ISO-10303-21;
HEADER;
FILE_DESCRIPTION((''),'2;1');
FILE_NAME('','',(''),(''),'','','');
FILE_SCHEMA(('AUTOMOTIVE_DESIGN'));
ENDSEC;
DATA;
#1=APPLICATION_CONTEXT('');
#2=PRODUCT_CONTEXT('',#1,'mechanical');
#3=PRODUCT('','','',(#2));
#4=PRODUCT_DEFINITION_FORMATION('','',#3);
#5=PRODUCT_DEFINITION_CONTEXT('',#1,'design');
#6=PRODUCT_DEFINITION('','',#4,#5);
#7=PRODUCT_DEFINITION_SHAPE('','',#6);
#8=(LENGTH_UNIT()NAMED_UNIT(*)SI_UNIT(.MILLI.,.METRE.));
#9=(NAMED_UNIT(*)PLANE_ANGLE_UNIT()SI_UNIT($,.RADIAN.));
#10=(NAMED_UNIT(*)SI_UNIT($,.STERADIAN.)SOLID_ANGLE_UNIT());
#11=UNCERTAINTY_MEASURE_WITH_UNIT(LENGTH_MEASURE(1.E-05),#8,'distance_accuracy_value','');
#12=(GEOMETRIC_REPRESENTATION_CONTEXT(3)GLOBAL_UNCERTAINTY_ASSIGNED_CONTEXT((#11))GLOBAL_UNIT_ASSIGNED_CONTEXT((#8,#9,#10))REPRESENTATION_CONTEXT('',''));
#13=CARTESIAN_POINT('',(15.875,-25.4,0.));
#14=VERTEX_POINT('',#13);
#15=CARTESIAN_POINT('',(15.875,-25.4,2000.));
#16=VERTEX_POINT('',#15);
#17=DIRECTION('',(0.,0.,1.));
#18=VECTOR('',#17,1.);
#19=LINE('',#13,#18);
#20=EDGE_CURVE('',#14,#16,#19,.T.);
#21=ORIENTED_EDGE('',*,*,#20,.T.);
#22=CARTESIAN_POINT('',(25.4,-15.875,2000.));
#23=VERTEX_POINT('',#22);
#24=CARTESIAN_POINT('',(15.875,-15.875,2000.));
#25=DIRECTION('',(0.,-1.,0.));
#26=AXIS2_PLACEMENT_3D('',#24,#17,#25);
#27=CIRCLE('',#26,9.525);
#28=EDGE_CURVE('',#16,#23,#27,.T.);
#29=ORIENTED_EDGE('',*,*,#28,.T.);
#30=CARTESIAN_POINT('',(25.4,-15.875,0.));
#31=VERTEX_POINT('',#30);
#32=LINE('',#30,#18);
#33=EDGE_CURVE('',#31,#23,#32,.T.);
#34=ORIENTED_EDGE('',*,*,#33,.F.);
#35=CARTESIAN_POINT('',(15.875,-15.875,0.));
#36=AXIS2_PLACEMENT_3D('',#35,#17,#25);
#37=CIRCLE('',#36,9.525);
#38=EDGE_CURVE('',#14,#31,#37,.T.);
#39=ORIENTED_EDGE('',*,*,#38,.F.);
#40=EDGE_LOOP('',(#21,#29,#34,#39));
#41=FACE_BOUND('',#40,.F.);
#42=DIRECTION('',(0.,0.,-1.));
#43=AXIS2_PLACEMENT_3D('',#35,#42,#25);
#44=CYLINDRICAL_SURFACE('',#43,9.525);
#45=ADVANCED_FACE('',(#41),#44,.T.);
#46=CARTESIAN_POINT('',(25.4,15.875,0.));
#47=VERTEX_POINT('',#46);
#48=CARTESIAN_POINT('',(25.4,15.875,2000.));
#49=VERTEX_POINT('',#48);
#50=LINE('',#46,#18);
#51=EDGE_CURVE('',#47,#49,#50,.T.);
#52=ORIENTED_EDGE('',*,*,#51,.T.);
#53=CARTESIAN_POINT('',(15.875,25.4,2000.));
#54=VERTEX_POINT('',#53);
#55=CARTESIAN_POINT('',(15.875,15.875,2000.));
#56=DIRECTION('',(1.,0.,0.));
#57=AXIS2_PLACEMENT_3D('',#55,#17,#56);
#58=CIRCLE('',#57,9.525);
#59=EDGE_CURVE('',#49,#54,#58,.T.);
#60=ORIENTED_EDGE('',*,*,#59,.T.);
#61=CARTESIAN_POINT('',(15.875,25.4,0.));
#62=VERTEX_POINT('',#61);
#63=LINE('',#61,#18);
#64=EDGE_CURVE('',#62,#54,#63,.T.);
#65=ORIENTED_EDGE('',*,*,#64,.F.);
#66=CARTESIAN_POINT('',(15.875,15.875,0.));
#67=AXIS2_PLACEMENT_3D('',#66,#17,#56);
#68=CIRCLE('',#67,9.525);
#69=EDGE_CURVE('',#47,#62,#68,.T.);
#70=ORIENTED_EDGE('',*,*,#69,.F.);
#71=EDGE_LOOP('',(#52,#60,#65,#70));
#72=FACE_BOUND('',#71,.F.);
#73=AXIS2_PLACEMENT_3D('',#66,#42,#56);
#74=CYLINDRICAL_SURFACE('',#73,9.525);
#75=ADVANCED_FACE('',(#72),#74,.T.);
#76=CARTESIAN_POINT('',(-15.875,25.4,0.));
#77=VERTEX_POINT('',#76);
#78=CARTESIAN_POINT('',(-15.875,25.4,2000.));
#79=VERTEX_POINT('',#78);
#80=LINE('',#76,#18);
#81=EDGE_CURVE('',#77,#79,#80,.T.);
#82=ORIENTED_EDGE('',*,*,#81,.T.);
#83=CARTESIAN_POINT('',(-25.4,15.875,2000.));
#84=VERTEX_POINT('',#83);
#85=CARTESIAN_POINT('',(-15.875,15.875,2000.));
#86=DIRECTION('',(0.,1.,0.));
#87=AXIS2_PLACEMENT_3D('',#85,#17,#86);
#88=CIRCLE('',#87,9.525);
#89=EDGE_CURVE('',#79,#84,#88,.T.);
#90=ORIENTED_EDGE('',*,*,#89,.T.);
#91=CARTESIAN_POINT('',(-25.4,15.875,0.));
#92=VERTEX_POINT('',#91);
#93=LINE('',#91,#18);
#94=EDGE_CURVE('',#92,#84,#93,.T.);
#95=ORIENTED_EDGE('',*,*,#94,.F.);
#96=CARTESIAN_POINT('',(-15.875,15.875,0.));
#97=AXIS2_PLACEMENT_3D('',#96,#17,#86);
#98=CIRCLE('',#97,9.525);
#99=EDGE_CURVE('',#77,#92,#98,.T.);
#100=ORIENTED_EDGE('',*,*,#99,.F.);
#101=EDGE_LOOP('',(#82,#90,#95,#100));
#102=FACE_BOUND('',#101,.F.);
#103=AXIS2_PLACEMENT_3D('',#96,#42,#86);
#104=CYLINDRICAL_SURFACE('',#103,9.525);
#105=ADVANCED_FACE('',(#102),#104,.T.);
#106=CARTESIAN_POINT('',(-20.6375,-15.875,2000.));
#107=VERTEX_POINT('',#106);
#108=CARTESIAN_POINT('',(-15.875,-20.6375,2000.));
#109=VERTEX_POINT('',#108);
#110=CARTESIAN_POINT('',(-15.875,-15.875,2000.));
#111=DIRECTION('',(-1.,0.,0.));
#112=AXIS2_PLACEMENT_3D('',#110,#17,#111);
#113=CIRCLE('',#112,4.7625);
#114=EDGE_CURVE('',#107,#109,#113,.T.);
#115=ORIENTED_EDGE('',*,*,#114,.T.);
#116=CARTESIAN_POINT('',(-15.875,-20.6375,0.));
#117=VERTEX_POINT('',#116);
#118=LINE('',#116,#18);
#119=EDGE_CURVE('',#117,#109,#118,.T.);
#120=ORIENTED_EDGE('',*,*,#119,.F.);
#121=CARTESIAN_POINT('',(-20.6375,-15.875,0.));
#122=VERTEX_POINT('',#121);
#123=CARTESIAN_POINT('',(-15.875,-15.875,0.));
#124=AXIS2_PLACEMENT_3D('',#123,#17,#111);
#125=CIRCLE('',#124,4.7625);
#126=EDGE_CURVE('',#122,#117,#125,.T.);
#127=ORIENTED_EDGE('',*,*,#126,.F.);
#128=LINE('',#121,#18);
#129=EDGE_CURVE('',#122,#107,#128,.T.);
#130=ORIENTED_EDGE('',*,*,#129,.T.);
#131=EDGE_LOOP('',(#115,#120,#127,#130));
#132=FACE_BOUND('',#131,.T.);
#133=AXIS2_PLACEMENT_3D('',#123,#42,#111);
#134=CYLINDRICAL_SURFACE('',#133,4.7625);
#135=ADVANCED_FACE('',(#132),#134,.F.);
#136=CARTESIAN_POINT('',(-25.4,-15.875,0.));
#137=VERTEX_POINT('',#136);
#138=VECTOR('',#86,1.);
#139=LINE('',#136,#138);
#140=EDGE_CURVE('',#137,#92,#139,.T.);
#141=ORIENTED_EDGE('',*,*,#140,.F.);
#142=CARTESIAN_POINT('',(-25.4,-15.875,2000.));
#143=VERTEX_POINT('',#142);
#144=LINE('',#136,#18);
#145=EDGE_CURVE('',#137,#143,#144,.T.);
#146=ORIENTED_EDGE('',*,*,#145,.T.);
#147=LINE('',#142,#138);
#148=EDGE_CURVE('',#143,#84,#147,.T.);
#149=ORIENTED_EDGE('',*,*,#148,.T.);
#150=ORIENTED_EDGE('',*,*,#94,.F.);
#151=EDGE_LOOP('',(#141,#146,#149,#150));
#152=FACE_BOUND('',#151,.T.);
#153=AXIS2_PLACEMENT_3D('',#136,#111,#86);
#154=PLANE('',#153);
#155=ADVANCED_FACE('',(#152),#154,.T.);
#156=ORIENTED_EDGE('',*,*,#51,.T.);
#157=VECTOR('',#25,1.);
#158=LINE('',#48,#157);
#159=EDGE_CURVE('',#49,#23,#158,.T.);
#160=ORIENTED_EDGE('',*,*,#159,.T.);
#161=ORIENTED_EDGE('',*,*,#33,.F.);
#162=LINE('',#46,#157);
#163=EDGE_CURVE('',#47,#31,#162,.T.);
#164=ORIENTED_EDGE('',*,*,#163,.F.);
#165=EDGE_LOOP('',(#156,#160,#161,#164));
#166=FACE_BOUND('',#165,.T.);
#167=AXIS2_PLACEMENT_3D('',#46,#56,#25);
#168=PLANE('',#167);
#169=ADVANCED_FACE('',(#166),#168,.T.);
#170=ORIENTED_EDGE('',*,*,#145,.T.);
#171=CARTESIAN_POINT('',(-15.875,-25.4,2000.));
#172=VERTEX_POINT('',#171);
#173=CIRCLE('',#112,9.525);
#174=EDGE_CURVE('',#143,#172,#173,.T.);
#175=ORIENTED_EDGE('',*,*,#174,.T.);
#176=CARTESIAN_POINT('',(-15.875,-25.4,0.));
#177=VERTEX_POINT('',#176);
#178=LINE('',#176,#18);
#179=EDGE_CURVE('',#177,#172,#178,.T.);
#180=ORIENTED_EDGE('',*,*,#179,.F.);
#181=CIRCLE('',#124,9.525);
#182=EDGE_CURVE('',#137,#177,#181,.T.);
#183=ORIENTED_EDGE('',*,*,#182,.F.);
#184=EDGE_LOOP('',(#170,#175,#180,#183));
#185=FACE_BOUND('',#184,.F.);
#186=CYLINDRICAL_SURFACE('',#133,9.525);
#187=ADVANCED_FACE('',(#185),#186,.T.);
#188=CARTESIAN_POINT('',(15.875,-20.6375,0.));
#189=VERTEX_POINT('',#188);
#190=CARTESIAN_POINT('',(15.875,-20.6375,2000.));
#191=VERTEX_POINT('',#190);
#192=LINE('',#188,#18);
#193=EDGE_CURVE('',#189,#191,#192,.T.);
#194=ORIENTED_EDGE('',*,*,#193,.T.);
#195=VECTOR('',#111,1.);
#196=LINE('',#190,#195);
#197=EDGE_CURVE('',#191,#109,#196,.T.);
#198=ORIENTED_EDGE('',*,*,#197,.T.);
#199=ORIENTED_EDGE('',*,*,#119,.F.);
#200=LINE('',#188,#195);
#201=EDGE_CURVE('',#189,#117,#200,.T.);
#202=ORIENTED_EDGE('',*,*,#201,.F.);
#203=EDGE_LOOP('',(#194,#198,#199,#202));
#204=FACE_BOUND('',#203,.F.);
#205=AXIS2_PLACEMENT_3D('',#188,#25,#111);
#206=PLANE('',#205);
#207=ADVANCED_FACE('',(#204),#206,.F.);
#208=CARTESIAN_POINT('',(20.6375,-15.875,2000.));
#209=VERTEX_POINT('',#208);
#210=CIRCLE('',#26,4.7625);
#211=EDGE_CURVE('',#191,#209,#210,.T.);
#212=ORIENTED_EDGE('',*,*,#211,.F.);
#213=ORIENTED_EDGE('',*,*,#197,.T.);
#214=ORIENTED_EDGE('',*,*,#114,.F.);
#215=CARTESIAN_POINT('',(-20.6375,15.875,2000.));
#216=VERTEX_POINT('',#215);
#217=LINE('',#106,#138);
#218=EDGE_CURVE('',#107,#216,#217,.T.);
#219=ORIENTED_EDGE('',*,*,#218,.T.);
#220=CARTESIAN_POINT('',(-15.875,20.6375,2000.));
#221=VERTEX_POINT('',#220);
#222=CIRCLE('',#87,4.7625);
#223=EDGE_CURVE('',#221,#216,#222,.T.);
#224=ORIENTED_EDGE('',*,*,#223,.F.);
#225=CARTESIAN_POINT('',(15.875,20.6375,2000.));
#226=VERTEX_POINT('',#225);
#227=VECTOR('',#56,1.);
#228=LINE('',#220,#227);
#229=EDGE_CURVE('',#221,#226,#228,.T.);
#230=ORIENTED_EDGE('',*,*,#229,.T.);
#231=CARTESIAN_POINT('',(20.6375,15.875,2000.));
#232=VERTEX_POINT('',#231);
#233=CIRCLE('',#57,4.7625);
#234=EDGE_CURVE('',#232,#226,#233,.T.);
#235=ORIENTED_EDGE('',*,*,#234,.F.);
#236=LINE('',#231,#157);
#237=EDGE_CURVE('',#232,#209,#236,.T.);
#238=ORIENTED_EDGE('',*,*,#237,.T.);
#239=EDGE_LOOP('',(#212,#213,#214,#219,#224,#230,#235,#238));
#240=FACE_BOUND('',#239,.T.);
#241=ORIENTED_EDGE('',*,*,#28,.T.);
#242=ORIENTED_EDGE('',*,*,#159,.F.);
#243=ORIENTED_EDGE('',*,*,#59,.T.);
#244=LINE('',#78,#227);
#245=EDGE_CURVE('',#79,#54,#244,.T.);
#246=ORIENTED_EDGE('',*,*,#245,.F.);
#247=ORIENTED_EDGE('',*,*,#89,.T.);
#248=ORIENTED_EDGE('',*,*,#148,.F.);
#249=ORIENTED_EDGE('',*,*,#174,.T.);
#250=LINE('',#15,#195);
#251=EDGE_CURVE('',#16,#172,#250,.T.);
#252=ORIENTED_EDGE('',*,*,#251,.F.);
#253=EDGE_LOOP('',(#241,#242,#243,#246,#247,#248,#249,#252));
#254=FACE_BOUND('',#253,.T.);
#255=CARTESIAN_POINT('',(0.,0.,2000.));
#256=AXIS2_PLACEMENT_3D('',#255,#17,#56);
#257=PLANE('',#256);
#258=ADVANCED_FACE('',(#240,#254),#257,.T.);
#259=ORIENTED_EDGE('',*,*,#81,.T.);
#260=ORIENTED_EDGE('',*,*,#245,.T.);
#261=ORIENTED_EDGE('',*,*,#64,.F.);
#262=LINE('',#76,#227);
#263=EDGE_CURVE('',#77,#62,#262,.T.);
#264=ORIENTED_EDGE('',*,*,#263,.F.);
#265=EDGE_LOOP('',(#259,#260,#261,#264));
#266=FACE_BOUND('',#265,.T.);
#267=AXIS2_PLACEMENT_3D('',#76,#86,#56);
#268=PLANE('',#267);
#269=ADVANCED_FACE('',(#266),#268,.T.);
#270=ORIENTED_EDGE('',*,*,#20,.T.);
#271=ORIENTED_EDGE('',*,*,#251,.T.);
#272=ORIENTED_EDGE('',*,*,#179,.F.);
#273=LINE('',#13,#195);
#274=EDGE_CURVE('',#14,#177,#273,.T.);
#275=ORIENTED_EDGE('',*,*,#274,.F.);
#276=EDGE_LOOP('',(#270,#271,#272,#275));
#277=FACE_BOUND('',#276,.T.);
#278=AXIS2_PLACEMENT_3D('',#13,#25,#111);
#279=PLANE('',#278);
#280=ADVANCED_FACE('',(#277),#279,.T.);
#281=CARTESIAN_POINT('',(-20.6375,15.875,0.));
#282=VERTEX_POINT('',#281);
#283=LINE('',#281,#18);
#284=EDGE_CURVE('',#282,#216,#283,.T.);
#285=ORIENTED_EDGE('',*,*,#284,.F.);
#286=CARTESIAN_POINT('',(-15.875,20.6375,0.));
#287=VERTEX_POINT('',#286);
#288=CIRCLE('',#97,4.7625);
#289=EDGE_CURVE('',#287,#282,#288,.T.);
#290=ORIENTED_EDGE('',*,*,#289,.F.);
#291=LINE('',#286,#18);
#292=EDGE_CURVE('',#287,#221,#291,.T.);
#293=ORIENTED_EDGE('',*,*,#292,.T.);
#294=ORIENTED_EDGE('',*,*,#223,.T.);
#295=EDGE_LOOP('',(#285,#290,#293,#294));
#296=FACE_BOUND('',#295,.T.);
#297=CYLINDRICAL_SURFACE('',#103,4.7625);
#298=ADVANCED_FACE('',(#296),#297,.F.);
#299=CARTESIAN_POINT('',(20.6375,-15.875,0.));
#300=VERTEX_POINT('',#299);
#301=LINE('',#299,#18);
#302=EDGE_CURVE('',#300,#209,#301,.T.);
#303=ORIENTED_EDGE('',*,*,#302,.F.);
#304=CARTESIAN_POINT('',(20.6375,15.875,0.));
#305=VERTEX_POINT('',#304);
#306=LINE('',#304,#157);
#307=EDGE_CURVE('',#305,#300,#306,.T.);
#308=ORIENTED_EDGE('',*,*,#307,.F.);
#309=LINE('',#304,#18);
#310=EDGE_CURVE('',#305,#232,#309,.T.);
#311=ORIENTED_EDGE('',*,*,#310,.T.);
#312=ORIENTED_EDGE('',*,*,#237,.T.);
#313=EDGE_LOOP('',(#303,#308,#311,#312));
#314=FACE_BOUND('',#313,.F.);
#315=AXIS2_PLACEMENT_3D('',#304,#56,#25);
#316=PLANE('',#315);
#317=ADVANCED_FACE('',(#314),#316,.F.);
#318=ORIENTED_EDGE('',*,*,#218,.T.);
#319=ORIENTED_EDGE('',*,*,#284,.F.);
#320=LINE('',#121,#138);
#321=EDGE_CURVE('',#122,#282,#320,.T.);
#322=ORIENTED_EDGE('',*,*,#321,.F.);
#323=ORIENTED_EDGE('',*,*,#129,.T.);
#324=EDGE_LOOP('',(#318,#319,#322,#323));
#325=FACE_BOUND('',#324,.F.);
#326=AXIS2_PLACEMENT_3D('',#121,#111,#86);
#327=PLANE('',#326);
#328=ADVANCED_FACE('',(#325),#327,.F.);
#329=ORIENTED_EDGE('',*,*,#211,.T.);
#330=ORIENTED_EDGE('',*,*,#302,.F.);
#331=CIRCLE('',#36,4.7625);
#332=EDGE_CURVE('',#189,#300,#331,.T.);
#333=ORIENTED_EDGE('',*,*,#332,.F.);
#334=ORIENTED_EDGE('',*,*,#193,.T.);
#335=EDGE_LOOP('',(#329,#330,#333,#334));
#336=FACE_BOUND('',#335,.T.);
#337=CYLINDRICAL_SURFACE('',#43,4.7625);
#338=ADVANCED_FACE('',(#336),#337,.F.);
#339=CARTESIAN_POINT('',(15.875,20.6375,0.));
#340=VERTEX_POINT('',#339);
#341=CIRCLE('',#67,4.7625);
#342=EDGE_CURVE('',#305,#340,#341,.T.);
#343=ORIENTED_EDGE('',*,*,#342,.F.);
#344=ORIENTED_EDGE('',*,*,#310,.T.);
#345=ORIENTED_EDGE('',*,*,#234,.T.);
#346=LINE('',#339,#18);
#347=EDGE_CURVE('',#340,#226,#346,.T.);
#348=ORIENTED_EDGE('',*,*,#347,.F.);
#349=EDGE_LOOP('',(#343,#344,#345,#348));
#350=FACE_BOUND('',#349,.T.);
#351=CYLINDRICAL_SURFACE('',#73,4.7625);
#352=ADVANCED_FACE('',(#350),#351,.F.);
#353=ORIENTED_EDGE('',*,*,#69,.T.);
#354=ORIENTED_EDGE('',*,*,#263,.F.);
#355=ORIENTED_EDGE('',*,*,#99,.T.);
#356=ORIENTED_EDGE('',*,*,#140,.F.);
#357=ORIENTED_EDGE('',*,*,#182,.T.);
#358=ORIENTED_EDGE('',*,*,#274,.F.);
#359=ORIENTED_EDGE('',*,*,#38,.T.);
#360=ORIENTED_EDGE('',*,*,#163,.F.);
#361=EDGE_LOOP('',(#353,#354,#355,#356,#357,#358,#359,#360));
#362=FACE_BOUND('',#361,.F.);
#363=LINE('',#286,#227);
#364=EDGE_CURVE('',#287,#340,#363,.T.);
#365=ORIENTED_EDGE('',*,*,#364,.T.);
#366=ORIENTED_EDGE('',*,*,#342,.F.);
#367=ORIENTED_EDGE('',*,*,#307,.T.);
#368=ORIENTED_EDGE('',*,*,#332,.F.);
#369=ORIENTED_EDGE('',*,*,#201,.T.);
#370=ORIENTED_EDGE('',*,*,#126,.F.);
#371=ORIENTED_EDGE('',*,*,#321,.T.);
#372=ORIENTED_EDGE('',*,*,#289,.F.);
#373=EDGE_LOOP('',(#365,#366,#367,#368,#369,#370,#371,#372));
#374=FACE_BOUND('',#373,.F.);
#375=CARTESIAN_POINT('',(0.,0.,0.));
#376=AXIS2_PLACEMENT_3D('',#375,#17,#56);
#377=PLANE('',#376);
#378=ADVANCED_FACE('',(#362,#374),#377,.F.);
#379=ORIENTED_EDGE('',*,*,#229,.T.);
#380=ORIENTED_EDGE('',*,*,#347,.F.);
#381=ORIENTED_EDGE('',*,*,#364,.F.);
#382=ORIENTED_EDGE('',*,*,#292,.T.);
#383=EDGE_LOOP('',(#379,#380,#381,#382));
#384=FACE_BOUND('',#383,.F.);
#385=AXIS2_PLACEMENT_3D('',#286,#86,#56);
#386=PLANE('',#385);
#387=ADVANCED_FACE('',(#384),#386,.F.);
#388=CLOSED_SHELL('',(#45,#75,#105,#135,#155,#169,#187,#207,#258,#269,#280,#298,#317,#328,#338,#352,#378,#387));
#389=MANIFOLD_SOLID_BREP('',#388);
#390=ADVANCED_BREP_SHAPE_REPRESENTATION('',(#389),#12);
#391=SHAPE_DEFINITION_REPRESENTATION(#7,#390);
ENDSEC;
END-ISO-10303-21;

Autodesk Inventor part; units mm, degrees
ref_plane "YZ Plane" through (0, 0, 0) normal (1, 0, 0) x (0, 1, 0)
ref_plane "Plano inicial" through (0, 0, 0) normal (0, 0, 1) x (1, 0, 0)
ref_plane "Plano final" through (0, 0, 2000) normal (0, 0, 1) x (1, 0, 0)
sketch "Esboço" plane through (0, 0, 0) normal (0, 0, 1) x (1, 0, 0)
  line L0 (-25.4, -15.875) -> (-25.4, 15.875)
  line L1 (-15.875, 25.4) -> (15.875, 25.4)
  line L2 (25.4, 15.875) -> (25.4, -15.875)
  line L3 (15.875, -25.4) -> (-15.875, -25.4)
  arc A0 (-25.4, -15.875) -> (-15.875, -25.4) centre (-15.875, -15.875) ccw
  arc A1 (-15.875, 25.4) -> (-25.4, 15.875) centre (-15.875, 15.875) ccw
  arc A2 (25.4, 15.875) -> (15.875, 25.4) centre (15.875, 15.875) ccw
  arc A3 (15.875, -25.4) -> (25.4, -15.875) centre (15.875, -15.875) ccw
  arc A4 (-15.875, 20.6375) -> (-20.6375, 15.875) centre (-15.875, 15.875) ccw
  line L4 (-15.875, 20.6375) -> (15.875, 20.6375)
  arc A5 (20.6375, 15.875) -> (15.875, 20.6375) centre (15.875, 15.875) ccw
  line L5 (20.6375, 15.875) -> (20.6375, -15.875)
  arc A6 (15.875, -20.6375) -> (20.6375, -15.875) centre (15.875, -15.875) ccw
  line L6 (15.875, -20.6375) -> (-15.875, -20.6375)
  arc A7 (-20.6375, -15.875) -> (-15.875, -20.6375) centre (-15.875, -15.875) ccw
  line L7 (-20.6375, -15.875) -> (-20.6375, 15.875)
  line L8 (0, 38.3218) -> (0, -38.3218) construction
  line L9 (-38.3218, 0) -> (38.3218, 0) construction
  dimension "d10" = 50.8
  dimension "d11" = 50.8
  dimension "d12" = 4.7625
  dimension "d15" = 25.4
  dimension "d16" = 25.4
  dimension "d17" = 9.525
extrude "Corpo" add sketch "Esboço" along normal up to surface (2000 mm away) from surface at 0
sketch "Sketch3" plane through (0, 0, 0) normal (0, 0, 1) x (1, 0, 0)
  line L0 (0, 0) -> (10, 0)
ref_plane "Work Plane3" through (0, 0, 0) normal (0, -1, 0) x (1, 0, 0)
sketch "Sketch4" plane through (0, 0, 0) normal (0, -1, 0) x (1, 0, 0)
  line L0 (-2, 0) -> (12, 0)
  line L1 (-2, 2000) -> (12, 2000)
  dimension "d19" = 2000
equation "\"d10\" = G_H"
equation "\"d11\" = G_W"
equation "\"d12\" = G_T"
equation "\"d15\" = 0.5 * d10"
equation "\"d16\" = 0.5 * d11"
equation "\"d17\" = G_IR"
equation "\"d3\" = G_L"
equation "\"G_W\" = 50.8"
equation "\"G_H\" = 50.8"
equation "\"G_T\" = 4.7625"
equation "\"G_IR\" = 9.525"
equation "\"G_L\" = d19"
equation "\"G_OFFSET_START\" = 0"
equation "\"G_OFFSET_END\" = 0"
properties part number "AISC - 2 x 2 x 3/16 - 78,74" material "Aço, suave"
